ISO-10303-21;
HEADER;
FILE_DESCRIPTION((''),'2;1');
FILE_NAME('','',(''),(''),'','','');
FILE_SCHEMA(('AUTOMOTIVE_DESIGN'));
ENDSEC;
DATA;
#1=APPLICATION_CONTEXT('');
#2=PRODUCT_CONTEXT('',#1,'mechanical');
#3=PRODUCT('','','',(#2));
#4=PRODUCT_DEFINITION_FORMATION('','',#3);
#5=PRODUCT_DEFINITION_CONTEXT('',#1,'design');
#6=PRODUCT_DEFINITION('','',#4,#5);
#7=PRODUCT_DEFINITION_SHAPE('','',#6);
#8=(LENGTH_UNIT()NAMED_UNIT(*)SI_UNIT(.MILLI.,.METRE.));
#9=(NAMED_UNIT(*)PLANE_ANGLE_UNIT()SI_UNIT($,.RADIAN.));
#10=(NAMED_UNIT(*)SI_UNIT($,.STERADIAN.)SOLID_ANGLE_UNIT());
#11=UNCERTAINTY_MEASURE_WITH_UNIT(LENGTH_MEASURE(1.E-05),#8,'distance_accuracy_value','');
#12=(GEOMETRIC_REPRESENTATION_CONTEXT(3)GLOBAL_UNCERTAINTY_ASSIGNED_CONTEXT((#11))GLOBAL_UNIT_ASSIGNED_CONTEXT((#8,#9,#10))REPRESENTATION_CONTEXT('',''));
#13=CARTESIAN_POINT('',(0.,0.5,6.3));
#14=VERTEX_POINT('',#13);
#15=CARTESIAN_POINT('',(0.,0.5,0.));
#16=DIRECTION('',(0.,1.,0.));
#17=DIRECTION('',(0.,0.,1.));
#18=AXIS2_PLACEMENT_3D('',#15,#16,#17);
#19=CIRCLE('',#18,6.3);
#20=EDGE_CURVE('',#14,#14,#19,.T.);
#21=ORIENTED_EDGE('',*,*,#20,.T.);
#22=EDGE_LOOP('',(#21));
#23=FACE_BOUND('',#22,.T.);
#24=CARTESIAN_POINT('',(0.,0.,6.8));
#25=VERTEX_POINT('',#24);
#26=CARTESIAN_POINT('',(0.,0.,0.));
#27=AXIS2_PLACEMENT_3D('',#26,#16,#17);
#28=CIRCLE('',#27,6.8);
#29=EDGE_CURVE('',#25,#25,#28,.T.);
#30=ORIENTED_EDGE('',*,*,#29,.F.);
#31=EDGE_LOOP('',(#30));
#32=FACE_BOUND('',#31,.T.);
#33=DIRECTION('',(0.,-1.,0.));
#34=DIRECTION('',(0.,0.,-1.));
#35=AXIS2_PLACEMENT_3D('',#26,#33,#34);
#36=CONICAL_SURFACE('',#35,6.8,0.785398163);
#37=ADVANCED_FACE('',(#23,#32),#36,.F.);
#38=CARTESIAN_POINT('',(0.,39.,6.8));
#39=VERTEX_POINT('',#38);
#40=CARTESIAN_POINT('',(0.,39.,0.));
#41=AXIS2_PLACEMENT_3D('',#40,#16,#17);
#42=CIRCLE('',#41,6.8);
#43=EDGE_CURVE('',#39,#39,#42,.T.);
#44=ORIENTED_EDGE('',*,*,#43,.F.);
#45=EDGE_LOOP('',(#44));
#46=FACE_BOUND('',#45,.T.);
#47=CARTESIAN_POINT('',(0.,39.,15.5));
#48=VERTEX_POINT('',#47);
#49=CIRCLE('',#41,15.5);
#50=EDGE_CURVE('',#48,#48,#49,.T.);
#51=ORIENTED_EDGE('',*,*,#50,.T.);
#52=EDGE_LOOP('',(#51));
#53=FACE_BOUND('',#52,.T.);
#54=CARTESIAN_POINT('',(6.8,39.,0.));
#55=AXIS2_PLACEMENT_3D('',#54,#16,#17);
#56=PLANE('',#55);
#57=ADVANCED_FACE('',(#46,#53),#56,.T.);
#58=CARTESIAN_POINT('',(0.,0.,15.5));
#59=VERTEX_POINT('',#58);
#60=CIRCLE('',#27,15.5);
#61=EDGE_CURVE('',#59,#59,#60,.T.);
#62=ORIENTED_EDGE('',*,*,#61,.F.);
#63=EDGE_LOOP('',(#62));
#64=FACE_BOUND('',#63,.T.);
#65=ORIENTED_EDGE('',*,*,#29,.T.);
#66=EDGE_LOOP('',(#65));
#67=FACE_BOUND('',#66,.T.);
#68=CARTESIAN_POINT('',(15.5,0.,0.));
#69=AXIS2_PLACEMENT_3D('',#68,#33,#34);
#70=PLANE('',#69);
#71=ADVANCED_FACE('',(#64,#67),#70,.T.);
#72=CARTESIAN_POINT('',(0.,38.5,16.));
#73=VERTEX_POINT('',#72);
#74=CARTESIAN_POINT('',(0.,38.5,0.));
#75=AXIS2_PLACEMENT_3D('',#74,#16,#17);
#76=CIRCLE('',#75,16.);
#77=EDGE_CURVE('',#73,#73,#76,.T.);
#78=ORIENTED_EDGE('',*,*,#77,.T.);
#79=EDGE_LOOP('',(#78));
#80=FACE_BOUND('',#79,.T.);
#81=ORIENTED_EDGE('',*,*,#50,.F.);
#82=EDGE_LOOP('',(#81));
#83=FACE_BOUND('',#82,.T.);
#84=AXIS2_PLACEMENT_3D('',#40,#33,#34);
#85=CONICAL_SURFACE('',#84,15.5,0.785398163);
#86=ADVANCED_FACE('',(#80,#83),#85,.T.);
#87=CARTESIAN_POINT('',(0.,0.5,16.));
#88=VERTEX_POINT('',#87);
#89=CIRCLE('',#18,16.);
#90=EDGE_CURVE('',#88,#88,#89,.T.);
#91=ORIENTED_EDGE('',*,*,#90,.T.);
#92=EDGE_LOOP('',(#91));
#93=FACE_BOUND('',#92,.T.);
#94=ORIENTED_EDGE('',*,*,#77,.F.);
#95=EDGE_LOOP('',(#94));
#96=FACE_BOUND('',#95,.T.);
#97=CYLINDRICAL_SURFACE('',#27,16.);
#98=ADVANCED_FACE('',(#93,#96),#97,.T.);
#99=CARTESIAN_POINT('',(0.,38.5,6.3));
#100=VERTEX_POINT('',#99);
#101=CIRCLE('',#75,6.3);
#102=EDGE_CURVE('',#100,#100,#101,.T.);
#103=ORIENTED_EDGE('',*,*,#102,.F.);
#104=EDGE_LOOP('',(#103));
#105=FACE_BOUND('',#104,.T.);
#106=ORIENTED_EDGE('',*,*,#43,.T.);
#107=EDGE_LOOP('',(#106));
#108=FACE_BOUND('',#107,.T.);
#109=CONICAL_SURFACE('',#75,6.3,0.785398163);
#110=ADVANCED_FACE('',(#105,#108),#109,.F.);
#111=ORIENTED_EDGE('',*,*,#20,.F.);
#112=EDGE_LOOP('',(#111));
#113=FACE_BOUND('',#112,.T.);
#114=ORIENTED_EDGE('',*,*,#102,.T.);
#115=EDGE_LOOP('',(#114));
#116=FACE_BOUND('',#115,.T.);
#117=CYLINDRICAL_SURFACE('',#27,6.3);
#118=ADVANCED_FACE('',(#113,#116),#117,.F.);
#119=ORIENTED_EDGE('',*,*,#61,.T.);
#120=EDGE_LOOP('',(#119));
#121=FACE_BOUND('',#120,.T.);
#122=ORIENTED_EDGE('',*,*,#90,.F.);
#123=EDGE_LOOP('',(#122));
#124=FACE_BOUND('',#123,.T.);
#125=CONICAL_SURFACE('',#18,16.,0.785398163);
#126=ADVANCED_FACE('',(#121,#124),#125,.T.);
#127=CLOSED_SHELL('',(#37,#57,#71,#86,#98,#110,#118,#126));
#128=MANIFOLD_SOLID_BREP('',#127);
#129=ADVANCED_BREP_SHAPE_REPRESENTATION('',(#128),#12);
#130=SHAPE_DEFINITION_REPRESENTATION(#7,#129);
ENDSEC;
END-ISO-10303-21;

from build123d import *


with BuildPart() as part:
    # Esboço1 → Revolução1 (revolve)
    with BuildSketch(Plane(origin=(0, 0, 0), x_dir=(-1, 0, 0), z_dir=(0, 0, -1)), mode=Mode.PRIVATE) as revolu_o1_sk:
        Polygon((-6.8, 0), (-6.3, 0.5), (-6.3, 38.5), (-6.8, 39), (-15.5, 39), (-16, 38.5), (-16, 0.5), (-15.5, 0), align=None)
    revolve(revolu_o1_sk.sketch.rotate(Axis((0, 0, 0), (0, 1, 0)), 270), axis=Axis((0, 0, 0), (0, 1, 0)))


solid = part.part
